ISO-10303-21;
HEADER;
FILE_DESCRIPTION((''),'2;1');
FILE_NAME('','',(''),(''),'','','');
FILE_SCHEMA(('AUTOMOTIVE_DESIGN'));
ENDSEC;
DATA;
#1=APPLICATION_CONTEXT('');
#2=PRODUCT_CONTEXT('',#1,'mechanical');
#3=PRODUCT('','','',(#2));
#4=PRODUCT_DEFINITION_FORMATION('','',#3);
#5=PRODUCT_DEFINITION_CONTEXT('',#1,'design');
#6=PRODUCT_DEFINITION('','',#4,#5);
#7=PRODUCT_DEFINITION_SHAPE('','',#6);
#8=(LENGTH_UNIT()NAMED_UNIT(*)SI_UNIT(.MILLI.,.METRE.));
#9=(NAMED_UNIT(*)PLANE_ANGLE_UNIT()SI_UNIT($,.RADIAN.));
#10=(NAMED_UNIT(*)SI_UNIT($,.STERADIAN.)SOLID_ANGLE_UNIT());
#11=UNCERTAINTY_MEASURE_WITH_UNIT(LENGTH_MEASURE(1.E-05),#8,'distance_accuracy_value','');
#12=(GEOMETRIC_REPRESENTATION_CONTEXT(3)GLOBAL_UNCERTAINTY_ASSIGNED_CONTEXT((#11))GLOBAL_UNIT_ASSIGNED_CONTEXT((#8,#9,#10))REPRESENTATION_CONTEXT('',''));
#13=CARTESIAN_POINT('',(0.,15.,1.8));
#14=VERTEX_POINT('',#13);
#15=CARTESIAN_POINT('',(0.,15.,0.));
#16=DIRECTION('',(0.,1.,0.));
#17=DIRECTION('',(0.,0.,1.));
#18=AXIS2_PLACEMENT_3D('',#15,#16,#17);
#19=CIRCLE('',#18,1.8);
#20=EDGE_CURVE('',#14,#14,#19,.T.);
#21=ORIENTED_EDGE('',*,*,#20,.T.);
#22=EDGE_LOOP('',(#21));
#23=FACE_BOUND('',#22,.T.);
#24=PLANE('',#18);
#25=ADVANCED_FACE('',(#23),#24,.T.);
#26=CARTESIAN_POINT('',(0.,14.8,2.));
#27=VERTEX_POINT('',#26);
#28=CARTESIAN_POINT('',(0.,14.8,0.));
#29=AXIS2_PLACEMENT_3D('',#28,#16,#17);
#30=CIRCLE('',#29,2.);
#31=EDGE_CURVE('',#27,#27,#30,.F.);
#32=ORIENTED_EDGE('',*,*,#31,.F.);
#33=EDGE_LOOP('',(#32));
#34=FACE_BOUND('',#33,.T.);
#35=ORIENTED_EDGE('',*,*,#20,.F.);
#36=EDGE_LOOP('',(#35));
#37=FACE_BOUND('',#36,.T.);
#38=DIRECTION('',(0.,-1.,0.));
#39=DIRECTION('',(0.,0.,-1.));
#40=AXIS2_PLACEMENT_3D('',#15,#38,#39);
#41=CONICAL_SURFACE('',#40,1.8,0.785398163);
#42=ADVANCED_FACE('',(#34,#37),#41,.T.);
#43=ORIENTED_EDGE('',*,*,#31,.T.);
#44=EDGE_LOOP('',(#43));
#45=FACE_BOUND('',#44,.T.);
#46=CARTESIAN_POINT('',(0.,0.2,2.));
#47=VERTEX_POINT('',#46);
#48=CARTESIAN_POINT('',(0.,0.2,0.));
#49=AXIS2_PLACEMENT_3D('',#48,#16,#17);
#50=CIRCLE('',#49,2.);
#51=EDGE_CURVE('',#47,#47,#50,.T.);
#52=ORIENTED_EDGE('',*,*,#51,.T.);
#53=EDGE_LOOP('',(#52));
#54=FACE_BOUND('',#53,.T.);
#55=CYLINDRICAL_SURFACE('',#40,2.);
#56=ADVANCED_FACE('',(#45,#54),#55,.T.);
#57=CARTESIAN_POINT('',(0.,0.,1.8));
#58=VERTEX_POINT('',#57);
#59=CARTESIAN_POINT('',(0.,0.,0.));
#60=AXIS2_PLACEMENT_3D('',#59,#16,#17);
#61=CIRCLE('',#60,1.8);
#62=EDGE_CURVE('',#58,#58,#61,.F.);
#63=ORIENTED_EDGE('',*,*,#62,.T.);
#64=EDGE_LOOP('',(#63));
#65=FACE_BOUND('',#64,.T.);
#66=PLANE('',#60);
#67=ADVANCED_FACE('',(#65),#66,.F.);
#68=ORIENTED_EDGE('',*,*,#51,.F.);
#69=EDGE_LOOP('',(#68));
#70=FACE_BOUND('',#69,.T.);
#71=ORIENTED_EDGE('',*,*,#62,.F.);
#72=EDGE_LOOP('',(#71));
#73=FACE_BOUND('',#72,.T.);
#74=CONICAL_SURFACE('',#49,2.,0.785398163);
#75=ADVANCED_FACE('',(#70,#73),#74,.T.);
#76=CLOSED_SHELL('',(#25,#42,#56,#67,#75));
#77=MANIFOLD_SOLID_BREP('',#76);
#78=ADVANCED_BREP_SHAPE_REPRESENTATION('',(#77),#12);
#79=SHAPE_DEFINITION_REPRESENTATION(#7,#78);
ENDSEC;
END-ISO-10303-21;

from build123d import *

# Parameters (mm, degrees)
SKETCH_1_R      = 2
EXTRUDE_1_DEPTH = 15
CHAMFER_1_SIZE  = 0.2


with BuildPart() as part:
    # 草图1 → 凸台-拉伸1 (new body)
    with BuildSketch(Plane(origin=(0, 0, 0), x_dir=(1, 0, 0), z_dir=(0, 1, 0))):
        Circle(SKETCH_1_R)
    extrude(amount=EXTRUDE_1_DEPTH)

    # 倒角1
    chamfer_1_edges = [part.edges().sort_by_distance(p)[0] for p in [
        (-2, 0, 0),
        (-2, 15, 0),
    ]]
    chamfer(chamfer_1_edges, length=CHAMFER_1_SIZE)


solid = part.part
